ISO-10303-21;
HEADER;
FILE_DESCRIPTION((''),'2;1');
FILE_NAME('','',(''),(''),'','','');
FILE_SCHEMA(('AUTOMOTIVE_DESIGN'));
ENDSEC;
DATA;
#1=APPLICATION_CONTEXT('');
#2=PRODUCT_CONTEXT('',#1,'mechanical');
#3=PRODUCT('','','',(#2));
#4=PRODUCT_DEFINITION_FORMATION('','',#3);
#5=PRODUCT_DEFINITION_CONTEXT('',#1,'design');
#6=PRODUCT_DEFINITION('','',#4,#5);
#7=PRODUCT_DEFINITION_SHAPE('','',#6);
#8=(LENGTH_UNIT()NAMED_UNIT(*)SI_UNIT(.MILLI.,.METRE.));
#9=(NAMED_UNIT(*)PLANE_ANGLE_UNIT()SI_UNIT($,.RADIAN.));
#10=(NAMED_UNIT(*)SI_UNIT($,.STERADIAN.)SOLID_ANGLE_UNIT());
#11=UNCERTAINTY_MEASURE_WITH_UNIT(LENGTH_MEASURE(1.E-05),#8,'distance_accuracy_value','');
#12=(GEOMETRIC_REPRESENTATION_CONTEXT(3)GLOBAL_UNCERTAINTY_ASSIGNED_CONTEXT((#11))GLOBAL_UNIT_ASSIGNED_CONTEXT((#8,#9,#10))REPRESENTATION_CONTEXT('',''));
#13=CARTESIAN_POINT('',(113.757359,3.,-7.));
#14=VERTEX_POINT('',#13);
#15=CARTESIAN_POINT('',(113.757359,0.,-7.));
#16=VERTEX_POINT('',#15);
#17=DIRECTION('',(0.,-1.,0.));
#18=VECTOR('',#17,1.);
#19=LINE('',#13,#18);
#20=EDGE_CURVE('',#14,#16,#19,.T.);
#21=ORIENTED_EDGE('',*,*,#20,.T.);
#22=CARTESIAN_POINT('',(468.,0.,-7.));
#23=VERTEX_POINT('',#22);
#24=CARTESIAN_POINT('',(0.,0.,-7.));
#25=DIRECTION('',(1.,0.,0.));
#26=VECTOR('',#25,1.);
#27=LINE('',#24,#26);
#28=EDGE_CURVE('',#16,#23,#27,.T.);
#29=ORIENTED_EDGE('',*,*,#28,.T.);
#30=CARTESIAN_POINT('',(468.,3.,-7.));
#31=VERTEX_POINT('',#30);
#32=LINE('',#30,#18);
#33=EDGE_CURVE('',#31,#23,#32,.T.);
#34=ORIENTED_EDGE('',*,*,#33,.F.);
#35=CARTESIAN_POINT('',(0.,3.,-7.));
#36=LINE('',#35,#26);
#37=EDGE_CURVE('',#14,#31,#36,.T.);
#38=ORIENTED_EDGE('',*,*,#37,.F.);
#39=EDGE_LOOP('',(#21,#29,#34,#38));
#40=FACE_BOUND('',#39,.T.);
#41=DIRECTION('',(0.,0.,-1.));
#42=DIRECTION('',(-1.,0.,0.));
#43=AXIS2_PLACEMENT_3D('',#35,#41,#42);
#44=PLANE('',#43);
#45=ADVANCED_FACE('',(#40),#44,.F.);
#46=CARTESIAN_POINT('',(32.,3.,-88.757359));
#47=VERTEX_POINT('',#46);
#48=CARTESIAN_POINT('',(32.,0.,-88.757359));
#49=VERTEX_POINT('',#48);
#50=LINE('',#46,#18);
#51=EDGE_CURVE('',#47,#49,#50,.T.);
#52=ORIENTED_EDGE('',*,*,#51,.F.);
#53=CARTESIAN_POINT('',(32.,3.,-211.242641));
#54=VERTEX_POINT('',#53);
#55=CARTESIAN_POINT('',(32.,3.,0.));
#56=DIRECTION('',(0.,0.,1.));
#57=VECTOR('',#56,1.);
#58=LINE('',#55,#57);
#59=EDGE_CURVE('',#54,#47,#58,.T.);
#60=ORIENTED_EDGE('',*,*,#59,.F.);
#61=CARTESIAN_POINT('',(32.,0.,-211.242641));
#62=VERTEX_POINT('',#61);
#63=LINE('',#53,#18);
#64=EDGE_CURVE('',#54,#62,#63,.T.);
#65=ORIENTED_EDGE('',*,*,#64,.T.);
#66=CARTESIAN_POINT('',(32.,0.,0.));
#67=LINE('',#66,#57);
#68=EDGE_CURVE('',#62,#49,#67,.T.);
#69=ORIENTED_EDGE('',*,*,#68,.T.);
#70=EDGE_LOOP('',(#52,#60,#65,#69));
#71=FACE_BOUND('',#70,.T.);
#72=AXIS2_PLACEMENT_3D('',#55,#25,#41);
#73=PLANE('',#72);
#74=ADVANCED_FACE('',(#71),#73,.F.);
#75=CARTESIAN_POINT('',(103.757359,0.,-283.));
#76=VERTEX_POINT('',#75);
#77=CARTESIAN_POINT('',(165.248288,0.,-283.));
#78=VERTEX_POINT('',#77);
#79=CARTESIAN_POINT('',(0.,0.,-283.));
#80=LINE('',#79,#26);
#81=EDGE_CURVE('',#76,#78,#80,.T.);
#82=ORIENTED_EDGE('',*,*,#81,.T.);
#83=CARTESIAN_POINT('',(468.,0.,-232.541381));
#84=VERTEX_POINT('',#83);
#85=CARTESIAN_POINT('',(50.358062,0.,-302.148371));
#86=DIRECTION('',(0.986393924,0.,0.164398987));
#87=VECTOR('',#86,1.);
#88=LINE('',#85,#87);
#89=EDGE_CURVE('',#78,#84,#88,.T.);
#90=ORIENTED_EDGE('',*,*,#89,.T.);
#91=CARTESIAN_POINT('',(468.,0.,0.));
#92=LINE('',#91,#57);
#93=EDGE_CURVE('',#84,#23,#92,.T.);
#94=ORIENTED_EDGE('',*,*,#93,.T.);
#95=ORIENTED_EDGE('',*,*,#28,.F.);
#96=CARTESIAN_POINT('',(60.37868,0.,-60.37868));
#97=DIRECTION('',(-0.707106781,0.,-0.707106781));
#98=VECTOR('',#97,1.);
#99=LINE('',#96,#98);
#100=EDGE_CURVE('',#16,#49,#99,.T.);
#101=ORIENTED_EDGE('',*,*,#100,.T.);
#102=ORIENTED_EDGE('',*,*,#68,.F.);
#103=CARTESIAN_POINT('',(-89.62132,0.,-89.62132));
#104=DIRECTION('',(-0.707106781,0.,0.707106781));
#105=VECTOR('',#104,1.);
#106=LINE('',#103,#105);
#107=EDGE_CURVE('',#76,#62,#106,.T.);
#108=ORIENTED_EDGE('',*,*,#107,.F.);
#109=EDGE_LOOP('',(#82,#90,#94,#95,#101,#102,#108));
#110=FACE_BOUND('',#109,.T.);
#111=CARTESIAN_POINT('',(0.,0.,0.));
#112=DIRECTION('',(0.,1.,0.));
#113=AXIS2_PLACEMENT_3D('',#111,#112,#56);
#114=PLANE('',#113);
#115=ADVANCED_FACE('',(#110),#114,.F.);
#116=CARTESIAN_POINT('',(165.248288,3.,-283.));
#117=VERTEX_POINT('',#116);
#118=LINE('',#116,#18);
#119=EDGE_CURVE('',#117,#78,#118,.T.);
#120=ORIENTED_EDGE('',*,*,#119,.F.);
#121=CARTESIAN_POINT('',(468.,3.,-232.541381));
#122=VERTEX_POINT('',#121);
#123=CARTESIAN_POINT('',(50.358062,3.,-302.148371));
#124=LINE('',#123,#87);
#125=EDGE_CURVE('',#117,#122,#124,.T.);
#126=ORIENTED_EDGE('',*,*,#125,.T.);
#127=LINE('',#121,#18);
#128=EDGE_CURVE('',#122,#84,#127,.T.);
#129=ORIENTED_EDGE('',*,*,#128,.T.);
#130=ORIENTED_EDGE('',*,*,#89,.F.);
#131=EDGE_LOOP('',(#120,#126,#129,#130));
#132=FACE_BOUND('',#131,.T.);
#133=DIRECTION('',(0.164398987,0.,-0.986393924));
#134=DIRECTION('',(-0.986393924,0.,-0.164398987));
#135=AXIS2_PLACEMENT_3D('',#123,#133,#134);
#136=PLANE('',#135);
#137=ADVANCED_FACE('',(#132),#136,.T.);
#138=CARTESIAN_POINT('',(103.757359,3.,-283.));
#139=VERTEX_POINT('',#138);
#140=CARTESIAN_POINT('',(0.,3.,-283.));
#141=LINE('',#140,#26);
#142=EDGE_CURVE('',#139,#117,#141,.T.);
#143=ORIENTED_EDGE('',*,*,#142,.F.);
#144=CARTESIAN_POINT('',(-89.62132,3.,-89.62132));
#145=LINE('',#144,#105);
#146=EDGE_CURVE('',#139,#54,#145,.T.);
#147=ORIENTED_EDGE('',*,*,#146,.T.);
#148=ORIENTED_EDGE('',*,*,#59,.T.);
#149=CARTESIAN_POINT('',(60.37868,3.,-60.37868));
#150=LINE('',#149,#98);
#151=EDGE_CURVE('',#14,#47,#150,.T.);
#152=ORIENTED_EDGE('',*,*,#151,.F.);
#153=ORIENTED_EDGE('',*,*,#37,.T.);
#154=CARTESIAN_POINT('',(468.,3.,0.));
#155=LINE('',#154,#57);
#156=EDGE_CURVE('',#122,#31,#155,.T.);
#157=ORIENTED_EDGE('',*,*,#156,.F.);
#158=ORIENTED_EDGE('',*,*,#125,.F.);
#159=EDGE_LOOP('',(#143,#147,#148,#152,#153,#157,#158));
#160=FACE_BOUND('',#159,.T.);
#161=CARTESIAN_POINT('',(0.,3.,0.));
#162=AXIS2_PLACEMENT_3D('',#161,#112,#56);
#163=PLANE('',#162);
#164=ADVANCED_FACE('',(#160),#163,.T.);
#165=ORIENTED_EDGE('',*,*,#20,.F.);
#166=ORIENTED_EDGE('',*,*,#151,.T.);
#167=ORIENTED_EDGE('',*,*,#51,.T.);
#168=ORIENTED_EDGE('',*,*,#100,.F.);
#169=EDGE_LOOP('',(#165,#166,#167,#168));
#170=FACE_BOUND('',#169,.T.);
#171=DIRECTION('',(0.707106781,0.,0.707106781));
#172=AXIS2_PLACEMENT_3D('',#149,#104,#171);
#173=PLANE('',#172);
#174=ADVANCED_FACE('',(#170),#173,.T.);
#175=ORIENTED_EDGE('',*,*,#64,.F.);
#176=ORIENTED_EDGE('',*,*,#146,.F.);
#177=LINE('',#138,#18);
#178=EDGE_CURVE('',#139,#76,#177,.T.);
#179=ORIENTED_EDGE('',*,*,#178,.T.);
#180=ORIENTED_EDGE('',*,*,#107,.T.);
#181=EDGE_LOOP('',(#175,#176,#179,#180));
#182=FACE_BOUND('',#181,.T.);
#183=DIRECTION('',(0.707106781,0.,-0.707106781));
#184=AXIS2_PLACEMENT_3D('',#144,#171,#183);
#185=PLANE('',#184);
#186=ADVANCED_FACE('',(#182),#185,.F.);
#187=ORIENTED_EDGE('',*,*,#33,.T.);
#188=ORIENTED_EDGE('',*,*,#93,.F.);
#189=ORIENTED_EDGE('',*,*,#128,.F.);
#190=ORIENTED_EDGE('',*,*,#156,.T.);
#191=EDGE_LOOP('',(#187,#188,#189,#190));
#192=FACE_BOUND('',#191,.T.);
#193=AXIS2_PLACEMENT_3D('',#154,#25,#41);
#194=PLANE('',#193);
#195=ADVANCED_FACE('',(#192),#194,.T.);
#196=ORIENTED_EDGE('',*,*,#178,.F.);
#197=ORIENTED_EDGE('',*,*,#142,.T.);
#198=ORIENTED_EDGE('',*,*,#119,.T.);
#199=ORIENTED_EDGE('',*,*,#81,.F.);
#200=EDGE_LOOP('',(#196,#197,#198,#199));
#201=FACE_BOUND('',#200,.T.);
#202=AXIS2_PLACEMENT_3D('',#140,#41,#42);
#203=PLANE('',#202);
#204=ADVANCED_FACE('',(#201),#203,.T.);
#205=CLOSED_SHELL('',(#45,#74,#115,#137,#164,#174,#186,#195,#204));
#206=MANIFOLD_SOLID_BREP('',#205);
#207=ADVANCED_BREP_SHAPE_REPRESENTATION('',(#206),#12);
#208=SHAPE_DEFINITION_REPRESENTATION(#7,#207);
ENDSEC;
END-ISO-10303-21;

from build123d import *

# Parameters (mm, degrees)
BOSS_EXTRU_1_DEPTH = 3


with BuildPart() as part:
    # Esquisse1 → Boss.-Extru.1 (new body)
    # profile 1 of 2: a face of its own
    with BuildSketch(Plane(origin=(0, 0, 0), x_dir=(1, 0, 0), z_dir=(0, 1, 0))):
        Polygon((103.757359313, 283), (165.248287591, 283), (468, 232.541381265), (468, 7), (113.757359313, 7), (32, 88.757359313), (32, 211.242640687), align=None)
        Polygon((105, 280), (165, 280), (465, 230), (465, 10), (115, 10), (35, 90), (35, 210), align=None, mode=Mode.SUBTRACT)
    # profile 2 of 2: a face of its own
    with BuildSketch(Plane(origin=(0, 0, 0), x_dir=(1, 0, 0), z_dir=(0, 1, 0))):
        Polygon((165, 280), (465, 230), (465, 10), (115, 10), (35, 90), (35, 210), (105, 280), align=None)
    extrude(amount=BOSS_EXTRU_1_DEPTH)


solid = part.part
